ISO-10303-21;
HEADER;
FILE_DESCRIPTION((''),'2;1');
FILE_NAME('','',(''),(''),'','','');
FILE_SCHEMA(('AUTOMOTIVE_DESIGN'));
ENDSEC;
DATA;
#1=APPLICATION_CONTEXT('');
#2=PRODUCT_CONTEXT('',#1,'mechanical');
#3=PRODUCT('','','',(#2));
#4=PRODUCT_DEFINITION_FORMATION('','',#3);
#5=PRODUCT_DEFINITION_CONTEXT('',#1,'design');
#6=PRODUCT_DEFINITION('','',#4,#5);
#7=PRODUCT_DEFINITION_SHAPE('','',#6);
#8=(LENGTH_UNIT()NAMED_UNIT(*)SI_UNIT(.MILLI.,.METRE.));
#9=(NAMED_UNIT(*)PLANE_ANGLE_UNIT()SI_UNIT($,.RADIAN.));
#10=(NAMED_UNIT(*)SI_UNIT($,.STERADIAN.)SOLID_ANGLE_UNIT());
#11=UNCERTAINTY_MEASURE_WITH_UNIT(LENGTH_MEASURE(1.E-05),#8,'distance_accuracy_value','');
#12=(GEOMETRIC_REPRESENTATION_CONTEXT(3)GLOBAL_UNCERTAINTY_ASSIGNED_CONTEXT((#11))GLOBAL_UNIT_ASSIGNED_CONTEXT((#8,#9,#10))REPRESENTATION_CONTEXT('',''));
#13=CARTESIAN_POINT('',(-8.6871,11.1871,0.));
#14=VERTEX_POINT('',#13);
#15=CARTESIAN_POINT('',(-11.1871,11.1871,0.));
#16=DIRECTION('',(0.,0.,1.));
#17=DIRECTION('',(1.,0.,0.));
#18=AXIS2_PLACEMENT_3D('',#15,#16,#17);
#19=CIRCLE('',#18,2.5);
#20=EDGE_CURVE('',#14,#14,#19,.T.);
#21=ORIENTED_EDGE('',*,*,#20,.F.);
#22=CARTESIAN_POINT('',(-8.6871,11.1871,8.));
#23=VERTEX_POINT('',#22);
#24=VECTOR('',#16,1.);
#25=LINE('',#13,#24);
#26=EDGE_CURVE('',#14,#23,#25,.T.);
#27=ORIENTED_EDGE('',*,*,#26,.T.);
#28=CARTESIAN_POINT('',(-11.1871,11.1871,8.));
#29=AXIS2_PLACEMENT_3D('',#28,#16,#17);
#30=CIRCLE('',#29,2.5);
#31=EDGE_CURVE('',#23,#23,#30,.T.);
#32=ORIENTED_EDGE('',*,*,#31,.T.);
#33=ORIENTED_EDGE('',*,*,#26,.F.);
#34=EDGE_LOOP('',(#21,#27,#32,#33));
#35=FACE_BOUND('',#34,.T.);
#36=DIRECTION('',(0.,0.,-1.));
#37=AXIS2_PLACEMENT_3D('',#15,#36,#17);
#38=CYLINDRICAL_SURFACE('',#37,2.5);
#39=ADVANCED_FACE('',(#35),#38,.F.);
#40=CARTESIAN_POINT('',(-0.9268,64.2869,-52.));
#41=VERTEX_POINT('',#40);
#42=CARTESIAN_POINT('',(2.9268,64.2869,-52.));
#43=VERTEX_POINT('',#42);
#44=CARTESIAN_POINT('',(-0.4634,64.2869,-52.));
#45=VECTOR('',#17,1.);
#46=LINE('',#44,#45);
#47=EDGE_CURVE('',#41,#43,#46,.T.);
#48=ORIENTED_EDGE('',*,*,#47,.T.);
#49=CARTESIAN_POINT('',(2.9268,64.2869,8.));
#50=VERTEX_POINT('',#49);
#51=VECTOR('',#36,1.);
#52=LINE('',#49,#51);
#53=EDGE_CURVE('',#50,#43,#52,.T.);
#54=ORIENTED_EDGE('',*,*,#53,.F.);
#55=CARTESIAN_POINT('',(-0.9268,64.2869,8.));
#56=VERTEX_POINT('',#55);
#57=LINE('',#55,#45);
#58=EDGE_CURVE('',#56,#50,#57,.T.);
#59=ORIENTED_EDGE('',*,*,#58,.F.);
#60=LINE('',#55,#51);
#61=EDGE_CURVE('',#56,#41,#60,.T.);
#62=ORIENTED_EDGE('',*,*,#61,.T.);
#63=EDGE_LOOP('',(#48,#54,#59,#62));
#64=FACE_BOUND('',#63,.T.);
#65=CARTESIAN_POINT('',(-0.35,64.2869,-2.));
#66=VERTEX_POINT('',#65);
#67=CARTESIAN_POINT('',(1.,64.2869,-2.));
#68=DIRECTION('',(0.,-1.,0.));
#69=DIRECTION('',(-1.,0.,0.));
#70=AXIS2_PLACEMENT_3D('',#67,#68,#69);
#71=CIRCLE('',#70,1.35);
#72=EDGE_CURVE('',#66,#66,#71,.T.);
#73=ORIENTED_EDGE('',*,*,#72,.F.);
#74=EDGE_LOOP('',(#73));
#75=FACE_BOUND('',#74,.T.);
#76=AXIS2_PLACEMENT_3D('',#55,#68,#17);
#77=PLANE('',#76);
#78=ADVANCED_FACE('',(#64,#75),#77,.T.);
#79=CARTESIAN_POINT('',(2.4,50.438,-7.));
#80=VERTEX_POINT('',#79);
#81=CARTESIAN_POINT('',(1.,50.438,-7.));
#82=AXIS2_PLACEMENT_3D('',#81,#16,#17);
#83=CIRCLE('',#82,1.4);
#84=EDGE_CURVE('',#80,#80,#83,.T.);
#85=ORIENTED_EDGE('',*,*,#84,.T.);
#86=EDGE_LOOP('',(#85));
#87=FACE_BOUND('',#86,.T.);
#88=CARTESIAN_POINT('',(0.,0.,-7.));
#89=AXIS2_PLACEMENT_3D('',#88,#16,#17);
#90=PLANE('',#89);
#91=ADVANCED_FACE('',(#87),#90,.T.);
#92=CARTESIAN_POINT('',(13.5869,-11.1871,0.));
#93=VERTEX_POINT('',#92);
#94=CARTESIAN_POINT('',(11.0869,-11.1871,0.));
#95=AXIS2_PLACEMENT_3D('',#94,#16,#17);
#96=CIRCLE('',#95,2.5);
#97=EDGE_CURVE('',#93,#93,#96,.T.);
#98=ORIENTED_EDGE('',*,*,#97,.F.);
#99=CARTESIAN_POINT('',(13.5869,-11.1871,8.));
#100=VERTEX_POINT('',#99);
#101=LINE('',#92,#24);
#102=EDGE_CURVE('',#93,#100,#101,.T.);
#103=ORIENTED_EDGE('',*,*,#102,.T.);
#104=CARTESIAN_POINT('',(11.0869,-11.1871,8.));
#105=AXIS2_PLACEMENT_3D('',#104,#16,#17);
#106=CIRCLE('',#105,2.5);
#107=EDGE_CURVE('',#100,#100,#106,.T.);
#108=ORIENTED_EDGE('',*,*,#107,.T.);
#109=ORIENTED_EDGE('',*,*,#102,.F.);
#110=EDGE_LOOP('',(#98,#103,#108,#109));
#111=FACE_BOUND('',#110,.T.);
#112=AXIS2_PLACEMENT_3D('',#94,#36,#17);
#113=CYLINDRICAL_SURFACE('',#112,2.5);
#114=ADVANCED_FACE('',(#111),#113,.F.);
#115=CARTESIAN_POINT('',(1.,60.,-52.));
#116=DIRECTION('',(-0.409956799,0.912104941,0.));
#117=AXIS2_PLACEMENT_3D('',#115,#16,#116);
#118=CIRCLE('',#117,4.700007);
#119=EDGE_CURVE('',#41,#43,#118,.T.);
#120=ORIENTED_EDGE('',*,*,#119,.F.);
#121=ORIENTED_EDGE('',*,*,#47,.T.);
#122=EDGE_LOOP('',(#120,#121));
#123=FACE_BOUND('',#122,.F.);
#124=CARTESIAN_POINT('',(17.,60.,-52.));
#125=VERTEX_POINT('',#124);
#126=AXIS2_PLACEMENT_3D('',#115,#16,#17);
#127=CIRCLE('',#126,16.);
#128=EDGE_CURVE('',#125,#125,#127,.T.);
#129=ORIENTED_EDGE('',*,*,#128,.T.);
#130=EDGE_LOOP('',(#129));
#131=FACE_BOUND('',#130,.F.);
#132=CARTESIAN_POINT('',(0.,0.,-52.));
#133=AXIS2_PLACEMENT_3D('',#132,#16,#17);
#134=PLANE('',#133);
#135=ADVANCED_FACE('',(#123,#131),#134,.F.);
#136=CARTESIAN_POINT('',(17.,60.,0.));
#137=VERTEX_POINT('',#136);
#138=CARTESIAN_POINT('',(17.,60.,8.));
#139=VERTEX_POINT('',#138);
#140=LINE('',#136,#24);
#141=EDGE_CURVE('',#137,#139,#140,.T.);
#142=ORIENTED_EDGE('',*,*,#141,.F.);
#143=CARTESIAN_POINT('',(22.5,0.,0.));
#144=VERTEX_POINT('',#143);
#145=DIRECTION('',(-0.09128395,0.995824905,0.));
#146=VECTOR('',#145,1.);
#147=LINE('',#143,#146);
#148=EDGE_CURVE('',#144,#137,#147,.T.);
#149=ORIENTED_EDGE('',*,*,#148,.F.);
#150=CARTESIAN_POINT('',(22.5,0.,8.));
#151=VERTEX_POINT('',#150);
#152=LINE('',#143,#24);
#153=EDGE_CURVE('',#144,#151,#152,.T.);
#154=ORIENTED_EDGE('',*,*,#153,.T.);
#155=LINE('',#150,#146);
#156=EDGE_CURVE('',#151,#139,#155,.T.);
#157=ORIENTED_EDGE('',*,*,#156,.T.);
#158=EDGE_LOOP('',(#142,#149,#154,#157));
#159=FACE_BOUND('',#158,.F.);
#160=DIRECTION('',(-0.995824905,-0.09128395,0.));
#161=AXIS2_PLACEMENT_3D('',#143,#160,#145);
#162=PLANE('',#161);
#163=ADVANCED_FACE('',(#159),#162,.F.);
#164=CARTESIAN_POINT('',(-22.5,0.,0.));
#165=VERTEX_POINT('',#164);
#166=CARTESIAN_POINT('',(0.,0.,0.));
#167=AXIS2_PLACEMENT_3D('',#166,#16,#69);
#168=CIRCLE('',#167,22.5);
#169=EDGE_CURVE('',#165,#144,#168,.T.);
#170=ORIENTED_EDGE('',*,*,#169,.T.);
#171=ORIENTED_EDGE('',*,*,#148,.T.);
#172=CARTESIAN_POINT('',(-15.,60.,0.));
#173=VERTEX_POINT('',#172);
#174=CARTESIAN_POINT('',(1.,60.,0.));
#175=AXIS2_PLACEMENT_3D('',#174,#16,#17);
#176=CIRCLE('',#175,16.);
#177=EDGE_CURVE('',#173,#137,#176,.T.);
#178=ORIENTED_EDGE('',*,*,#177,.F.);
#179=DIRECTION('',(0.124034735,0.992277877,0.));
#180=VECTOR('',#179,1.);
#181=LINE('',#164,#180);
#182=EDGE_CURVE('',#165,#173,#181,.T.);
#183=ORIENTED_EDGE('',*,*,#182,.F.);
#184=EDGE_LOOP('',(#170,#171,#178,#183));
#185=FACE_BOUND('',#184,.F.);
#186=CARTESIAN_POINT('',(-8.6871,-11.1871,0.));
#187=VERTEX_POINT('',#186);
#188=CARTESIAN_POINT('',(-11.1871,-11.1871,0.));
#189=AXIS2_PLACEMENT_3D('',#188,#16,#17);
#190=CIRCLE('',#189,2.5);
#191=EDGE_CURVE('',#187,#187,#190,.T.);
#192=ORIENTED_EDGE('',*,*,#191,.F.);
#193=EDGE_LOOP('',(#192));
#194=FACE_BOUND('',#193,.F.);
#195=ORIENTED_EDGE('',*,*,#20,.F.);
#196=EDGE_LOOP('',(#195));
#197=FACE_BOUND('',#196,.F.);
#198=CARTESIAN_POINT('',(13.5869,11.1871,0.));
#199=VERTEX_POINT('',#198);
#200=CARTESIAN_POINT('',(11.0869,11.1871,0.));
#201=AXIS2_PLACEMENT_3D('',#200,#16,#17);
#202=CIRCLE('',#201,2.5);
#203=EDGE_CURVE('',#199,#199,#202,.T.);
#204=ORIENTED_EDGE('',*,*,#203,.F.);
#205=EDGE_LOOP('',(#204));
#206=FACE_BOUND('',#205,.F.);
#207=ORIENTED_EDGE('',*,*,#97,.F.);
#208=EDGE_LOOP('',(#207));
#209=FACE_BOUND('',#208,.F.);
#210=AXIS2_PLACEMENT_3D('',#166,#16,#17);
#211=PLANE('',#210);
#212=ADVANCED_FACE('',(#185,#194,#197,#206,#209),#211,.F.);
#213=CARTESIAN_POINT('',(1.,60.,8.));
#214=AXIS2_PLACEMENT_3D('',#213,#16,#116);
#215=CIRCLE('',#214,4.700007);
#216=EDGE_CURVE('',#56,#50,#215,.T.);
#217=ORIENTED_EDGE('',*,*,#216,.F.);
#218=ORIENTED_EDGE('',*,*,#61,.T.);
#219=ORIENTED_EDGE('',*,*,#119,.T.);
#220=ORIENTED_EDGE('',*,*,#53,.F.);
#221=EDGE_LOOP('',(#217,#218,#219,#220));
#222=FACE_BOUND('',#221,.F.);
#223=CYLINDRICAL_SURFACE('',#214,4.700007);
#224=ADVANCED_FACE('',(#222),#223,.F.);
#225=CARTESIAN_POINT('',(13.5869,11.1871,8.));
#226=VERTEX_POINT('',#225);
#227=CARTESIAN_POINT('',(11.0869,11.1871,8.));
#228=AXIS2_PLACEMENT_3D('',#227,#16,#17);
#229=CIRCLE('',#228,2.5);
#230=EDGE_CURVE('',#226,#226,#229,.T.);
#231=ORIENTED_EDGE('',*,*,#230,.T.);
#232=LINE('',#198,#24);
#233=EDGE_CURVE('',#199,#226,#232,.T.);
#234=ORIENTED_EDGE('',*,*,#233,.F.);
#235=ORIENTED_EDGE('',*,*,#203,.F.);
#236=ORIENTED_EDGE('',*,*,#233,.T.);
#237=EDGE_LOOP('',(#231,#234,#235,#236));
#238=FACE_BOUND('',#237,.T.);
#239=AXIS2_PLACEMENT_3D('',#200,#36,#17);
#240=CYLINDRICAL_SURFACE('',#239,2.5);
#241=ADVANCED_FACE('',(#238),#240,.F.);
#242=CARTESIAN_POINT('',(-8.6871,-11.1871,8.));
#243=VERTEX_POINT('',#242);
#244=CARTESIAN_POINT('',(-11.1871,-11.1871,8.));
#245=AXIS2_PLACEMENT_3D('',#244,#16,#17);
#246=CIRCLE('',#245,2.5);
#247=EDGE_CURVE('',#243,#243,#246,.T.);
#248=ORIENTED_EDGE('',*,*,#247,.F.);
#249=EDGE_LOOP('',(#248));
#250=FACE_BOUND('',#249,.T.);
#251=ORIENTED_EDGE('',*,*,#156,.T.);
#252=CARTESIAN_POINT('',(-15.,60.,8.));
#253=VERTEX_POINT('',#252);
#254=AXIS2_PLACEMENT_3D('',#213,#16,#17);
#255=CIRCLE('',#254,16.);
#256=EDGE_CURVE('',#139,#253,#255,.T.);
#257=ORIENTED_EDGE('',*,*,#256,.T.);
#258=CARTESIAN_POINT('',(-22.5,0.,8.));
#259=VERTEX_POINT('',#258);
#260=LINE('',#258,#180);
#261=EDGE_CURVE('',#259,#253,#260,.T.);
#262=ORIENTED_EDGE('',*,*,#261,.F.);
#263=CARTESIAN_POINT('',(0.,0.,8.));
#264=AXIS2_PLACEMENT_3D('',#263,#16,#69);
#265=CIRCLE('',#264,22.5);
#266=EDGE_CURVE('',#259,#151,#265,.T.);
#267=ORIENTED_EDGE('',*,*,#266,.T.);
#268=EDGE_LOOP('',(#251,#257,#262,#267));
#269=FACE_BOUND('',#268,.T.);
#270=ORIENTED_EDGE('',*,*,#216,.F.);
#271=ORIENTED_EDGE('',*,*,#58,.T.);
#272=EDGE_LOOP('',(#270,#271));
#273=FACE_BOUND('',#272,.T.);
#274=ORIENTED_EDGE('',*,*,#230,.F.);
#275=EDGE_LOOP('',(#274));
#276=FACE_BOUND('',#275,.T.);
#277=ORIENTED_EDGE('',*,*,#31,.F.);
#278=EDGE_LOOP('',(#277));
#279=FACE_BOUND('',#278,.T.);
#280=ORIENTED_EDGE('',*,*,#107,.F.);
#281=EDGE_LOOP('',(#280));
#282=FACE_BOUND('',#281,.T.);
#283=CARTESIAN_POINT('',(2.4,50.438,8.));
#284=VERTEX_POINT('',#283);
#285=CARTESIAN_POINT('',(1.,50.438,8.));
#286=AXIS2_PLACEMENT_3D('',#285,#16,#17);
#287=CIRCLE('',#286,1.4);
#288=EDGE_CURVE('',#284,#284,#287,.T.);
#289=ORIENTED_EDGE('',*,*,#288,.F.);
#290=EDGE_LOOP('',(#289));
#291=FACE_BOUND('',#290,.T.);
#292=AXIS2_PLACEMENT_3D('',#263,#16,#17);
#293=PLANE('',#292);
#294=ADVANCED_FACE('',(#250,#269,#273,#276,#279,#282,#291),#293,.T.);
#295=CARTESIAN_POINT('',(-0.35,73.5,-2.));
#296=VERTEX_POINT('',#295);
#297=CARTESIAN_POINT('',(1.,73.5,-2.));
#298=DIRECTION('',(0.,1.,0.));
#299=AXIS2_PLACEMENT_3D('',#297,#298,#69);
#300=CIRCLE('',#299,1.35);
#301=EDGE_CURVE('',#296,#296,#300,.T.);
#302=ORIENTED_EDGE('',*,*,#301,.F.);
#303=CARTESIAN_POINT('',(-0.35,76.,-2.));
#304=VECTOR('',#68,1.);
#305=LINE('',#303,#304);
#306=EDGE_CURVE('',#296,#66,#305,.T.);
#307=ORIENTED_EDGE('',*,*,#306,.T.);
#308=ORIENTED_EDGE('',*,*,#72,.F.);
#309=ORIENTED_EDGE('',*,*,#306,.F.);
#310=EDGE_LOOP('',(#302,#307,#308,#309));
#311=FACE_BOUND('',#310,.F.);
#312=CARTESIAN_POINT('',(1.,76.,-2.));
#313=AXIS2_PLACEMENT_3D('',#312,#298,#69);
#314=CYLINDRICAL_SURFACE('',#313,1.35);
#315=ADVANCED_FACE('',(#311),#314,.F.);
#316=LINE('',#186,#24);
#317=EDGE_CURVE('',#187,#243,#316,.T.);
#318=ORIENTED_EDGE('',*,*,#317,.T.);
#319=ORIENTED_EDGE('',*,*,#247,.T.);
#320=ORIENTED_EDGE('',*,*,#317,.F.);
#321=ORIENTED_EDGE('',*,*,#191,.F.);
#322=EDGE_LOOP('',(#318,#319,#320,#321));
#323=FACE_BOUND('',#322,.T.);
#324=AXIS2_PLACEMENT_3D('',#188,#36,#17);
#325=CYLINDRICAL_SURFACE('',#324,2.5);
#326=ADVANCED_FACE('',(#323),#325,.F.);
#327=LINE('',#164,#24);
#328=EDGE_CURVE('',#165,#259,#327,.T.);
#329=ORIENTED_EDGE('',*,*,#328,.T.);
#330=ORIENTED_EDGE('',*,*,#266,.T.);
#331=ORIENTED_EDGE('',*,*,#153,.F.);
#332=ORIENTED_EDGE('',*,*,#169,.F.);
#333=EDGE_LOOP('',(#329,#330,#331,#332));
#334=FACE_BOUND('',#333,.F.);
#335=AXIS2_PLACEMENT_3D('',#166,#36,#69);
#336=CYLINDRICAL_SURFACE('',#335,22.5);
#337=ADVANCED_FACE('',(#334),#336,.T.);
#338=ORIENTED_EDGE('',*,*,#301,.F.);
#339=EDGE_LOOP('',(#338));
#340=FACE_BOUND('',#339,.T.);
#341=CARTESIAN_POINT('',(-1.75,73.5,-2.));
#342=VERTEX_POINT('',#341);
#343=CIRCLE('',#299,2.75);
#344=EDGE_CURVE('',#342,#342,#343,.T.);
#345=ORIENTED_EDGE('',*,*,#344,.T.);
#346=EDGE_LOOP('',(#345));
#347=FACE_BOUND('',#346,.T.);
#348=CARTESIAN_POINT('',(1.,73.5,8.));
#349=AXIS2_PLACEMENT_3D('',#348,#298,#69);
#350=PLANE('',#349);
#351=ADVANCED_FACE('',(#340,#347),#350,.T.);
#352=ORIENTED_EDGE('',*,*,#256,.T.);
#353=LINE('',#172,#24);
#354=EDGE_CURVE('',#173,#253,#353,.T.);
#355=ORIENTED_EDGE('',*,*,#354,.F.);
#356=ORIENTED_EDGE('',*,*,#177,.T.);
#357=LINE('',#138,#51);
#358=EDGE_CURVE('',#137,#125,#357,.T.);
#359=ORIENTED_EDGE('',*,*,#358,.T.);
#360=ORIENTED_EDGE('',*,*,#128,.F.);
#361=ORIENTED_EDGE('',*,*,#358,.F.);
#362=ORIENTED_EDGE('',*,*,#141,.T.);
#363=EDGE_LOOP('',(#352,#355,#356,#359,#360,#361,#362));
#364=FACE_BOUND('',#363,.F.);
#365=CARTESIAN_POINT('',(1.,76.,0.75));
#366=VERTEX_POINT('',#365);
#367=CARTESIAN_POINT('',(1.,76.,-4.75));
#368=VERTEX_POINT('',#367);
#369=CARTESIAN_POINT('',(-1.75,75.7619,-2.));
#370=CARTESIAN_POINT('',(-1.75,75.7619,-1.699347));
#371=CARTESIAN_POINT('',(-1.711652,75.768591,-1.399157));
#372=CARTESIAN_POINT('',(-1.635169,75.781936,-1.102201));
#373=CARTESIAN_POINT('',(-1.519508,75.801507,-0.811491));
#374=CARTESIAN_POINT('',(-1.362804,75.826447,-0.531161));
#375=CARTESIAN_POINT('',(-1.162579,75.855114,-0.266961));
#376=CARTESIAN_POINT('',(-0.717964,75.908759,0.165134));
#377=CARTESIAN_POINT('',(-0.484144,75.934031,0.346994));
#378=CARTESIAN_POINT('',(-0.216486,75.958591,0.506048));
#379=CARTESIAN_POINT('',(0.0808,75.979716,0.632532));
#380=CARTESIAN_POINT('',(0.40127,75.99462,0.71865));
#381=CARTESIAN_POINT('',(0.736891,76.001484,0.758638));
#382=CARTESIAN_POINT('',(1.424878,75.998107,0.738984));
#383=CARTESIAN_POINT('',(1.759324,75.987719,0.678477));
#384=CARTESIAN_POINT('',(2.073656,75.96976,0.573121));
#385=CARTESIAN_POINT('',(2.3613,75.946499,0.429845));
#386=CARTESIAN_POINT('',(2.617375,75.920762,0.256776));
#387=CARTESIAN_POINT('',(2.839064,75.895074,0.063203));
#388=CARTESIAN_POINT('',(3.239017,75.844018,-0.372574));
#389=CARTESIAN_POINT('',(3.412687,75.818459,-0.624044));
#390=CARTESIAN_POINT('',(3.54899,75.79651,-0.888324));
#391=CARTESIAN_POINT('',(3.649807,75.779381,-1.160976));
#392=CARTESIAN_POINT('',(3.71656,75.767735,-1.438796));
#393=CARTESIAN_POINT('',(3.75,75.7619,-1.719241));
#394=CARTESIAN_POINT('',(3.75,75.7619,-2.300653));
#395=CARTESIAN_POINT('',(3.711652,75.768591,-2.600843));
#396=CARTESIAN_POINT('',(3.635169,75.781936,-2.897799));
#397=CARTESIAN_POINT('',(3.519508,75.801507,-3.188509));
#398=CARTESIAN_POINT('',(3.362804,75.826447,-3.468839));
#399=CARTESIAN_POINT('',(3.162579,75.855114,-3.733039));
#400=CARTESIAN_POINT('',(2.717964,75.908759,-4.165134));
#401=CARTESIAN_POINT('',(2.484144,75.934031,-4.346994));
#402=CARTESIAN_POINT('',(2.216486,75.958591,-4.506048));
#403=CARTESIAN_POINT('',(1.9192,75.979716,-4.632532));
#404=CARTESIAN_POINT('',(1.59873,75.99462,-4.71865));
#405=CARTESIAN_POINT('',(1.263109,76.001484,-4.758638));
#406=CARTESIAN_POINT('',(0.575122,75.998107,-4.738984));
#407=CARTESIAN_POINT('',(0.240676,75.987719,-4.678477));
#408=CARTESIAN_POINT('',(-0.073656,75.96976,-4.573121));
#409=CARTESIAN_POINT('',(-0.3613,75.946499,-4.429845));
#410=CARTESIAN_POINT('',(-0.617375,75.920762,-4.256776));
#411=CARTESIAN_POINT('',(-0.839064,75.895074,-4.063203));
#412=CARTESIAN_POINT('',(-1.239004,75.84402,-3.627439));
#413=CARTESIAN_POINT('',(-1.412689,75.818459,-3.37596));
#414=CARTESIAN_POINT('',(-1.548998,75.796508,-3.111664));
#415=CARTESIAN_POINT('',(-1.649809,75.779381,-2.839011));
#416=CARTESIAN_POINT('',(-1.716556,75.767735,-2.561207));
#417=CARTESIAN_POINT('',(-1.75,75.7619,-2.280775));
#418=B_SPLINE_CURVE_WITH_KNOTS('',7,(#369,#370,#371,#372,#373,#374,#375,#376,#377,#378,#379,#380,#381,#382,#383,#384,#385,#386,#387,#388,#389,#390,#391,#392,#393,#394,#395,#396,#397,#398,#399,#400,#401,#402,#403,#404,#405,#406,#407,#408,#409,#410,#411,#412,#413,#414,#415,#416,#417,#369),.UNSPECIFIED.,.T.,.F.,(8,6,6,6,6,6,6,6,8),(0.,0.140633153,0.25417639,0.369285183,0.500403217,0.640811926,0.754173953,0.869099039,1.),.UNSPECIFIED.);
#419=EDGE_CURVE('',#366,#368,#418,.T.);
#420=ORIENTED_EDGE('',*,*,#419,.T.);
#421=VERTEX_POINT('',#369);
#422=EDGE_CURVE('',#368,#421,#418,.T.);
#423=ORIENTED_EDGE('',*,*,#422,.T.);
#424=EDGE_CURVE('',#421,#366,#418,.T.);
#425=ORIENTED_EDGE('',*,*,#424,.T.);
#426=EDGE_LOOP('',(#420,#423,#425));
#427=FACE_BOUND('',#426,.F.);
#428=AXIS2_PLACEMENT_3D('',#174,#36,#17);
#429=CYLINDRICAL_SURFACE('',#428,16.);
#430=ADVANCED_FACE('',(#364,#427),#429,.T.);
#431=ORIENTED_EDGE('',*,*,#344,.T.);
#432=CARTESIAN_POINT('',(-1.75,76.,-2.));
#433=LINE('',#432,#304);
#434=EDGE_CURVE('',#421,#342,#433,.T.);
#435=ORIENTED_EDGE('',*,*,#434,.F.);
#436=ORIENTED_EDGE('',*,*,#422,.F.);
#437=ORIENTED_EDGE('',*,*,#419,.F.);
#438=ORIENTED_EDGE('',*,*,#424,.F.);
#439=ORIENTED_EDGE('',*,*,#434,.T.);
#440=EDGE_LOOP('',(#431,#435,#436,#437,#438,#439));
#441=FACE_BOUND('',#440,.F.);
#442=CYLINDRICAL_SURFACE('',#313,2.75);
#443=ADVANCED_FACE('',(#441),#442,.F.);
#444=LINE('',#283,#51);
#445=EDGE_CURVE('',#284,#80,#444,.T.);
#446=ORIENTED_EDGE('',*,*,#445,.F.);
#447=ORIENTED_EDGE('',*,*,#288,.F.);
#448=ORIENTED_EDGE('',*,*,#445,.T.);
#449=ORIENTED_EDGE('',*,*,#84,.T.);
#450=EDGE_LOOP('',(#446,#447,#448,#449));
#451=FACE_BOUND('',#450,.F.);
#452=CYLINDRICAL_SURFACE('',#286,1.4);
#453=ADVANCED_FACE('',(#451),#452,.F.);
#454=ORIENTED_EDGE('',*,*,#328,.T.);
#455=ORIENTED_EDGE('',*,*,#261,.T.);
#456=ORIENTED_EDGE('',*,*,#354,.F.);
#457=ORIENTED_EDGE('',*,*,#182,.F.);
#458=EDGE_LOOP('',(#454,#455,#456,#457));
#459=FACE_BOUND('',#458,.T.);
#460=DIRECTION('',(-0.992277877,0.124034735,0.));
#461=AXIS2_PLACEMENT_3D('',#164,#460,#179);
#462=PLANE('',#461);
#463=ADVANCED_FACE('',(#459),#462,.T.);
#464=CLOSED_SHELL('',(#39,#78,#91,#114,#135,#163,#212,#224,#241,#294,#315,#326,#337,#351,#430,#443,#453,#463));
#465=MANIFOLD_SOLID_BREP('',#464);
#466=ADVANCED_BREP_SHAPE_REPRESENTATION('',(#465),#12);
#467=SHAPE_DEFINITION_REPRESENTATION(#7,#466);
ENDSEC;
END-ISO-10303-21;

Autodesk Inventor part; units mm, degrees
ref_plane "YZ Plane" through (0, 0, 0) normal (1, 0, 0) x (0, 1, 0)
ref_plane "XZ Plane" through (0, 0, 0) normal (0, 1, 0) x (-1, 0, 0)
sketch "Sketch1" plane through (0, 0, 0) normal (0, 0, 1) x (1, 0, 0)
  arc A0 (-22.5, 0) -> (22.5, 0) centre (0, 0) ccw
  circle A1 centre (-11.1871, 11.1871) radius 2.5
  arc A2 (17, 60) -> (-15, 60) centre (1, 60) ccw
  line L0 (22.5, 0) -> (17, 60)
  line L1 (-22.5, 0) -> (-15, 60)
  circle A3 centre (11.0869, 11.1871) radius 2.5
  line L2 (-1.4379, 0) -> (3.0127, 0) construction
  circle A4 centre (-11.1871, -11.1871) radius 2.5
  circle A5 centre (11.0869, -11.1871) radius 2.5
  dimension "d0" = 45
  dimension "d3" = 5
  dimension "d29" = 32
  dimension "d57" = 5
  dimension "d58" = 22.274
  dimension "d59" = 15.821
extrude "Extrusion1" add sketch "Sketch1" along normal blind 8
sketch "Sketch5" plane through (0, 0, 8) normal (0, 0, 1) x (1, 0, 0)
  arc A0 (17, 60) -> (-15, 60) centre (1, 60) ccw projected
  circle A1 centre (1, 60) radius 16
  point P0 (0, 0)
  point P1 (-15, 60)
  dimension "d44" = 32
extrude "Extrusion3" add sketch "Sketch5" against normal blind 60
sketch "Sketch6" plane through (0, 0, 8) normal (0, 0, 1) x (1, 0, 0)
  arc A0 (17, 60) -> (-15, 60) centre (1, 60) ccw projected
  arc A1 (-0.9268, 64.2869) -> (2.9268, 64.2869) centre (1, 60) ccw
  line L0 (-0.9268, 64.2869) -> (2.9268, 64.2869)
  point P0 (0, 0)
  point P1 (1, 55.3)
  point P2 (1, 64.2869)
  dimension "d32" = 9.4
  dimension "d43" = 4.2869
extrude "Extrusion4" cut sketch "Sketch6" against normal through all
ref_plane "Work Plane2" through (1, 76, 8) normal (0, 1, 0) x (-1, 0, 0)
sketch "Sketch9" plane through (1, 76, 8) normal (0, 1, 0) x (-1, 0, 0)
  line L0 (16, 0) -> (-16, 0) projected
  line L1 (0, 0) -> (0, -10)
  circle A0 centre (0, -10) radius 1.35
  point P0 (1, -8)
  dimension "d45" = 10
  dimension "d46" = 2.7
extrude "Extrusion7" cut sketch "Sketch9" against normal blind 12
sketch "Sketch10" plane through (1, 76, 8) normal (0, 1, 0) x (-1, 0, 0)
  circle A0 centre (0, -10) radius 1.35 projected
  circle A1 centre (0, -10) radius 2.75
  point P0 (1, -8)
  dimension "d49" = 5.5
extrude "Extrusion8" cut sketch "Sketch10" against normal blind 2.5
sketch "Sketch13" plane through (0, 0, 8) normal (0, 0, 1) x (1, 0, 0)
  circle A0 centre (1, 50.438) radius 1.4
  arc A1 (-0.9268, 64.2869) -> (2.9268, 64.2869) centre (1, 60) ccw projected
  point P0 (0, 0)
  dimension "d60" = 2.8
  dimension "d61" = 9.562
extrude "Extrusion11" cut sketch "Sketch13" against normal blind 15
properties part number "pen_holder" material "LCP Plastic"
